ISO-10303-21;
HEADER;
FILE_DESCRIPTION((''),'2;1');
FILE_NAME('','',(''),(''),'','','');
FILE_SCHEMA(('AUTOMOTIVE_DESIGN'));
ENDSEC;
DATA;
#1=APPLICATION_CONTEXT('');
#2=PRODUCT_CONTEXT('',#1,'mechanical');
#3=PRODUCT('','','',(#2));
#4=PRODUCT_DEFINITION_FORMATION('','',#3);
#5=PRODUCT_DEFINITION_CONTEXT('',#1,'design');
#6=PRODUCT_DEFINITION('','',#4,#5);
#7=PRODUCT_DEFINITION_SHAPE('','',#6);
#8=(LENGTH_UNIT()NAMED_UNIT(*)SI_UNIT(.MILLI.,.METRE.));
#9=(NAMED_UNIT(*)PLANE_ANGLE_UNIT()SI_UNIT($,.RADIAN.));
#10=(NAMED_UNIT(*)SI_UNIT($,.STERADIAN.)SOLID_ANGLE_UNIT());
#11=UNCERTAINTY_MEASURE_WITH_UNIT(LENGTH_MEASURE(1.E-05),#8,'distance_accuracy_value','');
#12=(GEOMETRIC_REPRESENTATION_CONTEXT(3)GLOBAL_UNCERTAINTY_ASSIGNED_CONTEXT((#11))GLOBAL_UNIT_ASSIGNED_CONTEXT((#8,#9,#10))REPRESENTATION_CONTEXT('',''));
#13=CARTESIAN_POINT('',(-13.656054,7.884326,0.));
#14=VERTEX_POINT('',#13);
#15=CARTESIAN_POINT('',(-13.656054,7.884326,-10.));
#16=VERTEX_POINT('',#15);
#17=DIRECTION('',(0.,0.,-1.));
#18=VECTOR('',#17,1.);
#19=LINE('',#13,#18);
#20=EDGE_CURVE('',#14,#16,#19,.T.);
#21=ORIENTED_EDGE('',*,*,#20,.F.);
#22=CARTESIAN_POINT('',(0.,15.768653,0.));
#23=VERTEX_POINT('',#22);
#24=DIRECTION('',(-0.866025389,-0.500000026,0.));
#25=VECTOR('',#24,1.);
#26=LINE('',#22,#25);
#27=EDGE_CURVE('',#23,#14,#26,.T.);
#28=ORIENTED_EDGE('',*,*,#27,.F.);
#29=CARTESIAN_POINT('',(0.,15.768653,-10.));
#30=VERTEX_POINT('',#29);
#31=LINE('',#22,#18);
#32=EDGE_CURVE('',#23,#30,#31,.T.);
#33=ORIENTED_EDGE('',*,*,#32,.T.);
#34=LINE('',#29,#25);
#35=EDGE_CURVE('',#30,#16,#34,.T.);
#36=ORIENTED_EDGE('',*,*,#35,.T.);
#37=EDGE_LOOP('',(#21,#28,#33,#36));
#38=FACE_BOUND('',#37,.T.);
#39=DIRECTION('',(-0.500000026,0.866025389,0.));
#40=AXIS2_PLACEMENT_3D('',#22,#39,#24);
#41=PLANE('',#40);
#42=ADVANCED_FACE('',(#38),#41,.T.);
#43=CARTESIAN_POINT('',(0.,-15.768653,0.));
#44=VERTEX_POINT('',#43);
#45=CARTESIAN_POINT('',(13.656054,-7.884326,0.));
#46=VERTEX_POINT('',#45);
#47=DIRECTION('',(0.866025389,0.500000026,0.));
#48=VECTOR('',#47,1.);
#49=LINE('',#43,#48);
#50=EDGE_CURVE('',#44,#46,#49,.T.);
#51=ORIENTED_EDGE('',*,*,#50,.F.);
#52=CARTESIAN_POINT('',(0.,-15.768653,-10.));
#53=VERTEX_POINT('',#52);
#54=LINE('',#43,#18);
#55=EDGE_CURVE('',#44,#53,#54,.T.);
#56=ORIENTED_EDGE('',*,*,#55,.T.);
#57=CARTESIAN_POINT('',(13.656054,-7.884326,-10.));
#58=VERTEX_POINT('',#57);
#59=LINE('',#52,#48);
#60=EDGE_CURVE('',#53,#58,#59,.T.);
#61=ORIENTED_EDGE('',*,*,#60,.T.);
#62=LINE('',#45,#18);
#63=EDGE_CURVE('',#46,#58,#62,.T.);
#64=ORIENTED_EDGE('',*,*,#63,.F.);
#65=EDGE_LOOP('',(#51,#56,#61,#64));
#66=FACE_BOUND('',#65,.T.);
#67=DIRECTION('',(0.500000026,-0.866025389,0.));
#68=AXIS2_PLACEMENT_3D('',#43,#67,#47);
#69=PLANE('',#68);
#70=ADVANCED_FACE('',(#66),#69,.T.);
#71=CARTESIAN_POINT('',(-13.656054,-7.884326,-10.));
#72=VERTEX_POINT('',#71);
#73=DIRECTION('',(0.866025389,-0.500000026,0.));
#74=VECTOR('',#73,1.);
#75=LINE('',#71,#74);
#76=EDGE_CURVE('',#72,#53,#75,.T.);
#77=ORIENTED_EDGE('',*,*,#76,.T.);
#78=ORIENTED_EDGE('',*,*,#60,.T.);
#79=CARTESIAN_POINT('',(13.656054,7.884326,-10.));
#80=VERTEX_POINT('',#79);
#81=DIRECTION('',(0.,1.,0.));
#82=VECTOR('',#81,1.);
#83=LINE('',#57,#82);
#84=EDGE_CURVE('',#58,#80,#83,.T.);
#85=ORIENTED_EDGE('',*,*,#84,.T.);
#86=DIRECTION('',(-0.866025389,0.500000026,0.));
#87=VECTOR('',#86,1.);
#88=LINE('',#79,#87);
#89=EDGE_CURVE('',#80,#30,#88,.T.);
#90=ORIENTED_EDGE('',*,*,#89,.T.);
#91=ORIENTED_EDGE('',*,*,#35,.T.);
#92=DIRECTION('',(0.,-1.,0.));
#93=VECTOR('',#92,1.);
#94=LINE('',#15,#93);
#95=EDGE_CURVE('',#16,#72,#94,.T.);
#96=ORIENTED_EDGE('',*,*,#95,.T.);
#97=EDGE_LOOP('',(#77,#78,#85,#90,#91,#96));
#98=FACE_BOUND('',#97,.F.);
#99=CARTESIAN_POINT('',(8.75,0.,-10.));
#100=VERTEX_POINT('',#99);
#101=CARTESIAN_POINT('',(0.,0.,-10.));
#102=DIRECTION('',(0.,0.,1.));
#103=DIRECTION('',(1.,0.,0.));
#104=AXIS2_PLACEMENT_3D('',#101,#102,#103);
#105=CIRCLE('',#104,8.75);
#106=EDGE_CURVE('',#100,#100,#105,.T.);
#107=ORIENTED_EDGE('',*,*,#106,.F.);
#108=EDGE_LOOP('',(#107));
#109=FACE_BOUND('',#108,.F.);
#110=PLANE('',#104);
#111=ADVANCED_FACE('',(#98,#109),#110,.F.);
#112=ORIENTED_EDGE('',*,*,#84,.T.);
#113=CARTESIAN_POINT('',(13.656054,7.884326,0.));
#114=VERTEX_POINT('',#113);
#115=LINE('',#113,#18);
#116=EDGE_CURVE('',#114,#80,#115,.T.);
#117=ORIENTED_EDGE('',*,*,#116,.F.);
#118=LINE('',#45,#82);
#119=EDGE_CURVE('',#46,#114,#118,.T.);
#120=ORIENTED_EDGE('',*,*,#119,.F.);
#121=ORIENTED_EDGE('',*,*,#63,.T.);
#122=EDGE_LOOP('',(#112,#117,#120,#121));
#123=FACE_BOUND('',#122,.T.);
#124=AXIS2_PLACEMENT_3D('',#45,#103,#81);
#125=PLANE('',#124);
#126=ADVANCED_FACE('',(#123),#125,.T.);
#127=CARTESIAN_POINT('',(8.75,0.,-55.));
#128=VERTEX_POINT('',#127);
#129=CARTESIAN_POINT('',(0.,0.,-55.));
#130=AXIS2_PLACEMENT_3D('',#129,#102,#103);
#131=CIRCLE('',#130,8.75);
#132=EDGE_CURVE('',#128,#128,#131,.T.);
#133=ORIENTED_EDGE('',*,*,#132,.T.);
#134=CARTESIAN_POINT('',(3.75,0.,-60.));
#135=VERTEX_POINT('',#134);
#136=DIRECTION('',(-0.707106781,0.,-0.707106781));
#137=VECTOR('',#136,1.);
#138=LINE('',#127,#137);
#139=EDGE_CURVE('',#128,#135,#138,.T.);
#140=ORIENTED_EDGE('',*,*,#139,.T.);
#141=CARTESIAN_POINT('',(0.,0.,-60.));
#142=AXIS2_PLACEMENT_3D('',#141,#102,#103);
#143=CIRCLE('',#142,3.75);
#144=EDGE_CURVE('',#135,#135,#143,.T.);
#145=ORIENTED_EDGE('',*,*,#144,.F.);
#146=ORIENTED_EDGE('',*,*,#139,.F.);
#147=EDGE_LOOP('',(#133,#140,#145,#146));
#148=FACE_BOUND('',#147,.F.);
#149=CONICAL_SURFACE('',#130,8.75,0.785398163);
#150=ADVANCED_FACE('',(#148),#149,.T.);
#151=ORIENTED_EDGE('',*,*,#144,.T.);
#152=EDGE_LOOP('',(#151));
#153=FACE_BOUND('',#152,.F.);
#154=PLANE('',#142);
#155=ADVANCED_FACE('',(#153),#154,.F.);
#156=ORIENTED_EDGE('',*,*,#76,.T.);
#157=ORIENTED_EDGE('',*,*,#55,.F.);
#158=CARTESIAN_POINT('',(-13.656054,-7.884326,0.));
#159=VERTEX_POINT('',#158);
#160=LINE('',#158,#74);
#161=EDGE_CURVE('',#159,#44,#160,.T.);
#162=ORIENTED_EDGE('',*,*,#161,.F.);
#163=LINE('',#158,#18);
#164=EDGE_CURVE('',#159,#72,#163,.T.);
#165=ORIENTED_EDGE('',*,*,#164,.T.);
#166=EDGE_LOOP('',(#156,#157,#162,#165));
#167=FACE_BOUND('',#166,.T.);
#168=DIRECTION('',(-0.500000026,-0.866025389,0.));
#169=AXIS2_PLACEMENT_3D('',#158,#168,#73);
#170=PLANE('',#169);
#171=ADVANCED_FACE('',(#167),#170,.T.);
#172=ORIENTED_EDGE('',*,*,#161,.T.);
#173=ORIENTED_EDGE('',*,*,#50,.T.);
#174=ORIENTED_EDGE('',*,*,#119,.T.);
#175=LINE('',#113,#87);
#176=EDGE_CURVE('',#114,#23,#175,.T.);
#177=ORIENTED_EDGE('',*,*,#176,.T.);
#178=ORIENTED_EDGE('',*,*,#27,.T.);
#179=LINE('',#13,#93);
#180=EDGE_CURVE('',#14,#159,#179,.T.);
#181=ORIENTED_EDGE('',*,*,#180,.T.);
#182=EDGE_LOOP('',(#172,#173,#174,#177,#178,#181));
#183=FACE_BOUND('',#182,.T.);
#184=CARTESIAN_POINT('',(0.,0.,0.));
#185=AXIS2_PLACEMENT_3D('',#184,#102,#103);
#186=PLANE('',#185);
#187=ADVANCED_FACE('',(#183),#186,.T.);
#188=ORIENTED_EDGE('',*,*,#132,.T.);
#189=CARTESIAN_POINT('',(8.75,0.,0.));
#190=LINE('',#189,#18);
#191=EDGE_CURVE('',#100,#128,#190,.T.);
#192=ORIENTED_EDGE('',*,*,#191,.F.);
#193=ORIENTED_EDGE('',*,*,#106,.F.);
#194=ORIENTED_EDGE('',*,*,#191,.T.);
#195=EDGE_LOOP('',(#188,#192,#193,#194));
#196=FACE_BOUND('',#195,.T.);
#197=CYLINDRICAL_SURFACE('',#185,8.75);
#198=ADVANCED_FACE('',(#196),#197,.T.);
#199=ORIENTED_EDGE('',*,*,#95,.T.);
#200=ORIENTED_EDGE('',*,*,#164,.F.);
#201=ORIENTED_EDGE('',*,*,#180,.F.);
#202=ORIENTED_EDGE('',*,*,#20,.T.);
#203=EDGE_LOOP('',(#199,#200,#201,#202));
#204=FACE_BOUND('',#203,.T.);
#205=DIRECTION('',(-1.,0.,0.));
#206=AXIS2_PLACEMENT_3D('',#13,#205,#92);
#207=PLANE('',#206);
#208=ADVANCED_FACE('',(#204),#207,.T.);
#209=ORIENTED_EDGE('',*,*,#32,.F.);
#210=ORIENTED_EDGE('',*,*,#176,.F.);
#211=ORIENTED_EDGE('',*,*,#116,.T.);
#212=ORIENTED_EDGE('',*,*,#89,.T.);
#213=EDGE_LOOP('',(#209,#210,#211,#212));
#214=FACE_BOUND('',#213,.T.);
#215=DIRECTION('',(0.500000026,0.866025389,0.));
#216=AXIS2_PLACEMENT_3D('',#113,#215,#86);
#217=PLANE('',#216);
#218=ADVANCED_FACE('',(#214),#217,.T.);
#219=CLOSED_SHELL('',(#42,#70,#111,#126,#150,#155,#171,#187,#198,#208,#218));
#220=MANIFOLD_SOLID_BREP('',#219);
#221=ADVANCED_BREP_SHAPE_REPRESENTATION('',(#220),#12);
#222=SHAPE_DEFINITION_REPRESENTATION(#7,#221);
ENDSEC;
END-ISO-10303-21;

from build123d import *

# Parameters (mm, degrees)
F0_R     = 8.75
F1_DEPTH = 60
F2_DEPTH = 10
F3_SIZE  = 5


with BuildPart() as f1:
    # F0 (on Top) → F1 (new body)
    with BuildSketch(Plane.XY):
        Circle(F0_R)
    extrude(amount=-F1_DEPTH)

    # F0 (on Top) → F2 (join)
    with BuildSketch(Plane.XY):
        Polygon((13.656054, -7.884326), (13.656054, 7.884326), (0, 15.768653), (-13.656054, 7.884326), (-13.656054, -7.884326), (0, -15.768653), align=None)
        Circle(F0_R, mode=Mode.SUBTRACT)
        Circle(F0_R)
    extrude(amount=-F2_DEPTH)

    # F3
    f3_edges = [f1.edges().sort_by_distance(p)[0] for p in [
        (-8.75, 0, -60),
    ]]
    chamfer(f3_edges, length=F3_SIZE)


solid = f1.part
